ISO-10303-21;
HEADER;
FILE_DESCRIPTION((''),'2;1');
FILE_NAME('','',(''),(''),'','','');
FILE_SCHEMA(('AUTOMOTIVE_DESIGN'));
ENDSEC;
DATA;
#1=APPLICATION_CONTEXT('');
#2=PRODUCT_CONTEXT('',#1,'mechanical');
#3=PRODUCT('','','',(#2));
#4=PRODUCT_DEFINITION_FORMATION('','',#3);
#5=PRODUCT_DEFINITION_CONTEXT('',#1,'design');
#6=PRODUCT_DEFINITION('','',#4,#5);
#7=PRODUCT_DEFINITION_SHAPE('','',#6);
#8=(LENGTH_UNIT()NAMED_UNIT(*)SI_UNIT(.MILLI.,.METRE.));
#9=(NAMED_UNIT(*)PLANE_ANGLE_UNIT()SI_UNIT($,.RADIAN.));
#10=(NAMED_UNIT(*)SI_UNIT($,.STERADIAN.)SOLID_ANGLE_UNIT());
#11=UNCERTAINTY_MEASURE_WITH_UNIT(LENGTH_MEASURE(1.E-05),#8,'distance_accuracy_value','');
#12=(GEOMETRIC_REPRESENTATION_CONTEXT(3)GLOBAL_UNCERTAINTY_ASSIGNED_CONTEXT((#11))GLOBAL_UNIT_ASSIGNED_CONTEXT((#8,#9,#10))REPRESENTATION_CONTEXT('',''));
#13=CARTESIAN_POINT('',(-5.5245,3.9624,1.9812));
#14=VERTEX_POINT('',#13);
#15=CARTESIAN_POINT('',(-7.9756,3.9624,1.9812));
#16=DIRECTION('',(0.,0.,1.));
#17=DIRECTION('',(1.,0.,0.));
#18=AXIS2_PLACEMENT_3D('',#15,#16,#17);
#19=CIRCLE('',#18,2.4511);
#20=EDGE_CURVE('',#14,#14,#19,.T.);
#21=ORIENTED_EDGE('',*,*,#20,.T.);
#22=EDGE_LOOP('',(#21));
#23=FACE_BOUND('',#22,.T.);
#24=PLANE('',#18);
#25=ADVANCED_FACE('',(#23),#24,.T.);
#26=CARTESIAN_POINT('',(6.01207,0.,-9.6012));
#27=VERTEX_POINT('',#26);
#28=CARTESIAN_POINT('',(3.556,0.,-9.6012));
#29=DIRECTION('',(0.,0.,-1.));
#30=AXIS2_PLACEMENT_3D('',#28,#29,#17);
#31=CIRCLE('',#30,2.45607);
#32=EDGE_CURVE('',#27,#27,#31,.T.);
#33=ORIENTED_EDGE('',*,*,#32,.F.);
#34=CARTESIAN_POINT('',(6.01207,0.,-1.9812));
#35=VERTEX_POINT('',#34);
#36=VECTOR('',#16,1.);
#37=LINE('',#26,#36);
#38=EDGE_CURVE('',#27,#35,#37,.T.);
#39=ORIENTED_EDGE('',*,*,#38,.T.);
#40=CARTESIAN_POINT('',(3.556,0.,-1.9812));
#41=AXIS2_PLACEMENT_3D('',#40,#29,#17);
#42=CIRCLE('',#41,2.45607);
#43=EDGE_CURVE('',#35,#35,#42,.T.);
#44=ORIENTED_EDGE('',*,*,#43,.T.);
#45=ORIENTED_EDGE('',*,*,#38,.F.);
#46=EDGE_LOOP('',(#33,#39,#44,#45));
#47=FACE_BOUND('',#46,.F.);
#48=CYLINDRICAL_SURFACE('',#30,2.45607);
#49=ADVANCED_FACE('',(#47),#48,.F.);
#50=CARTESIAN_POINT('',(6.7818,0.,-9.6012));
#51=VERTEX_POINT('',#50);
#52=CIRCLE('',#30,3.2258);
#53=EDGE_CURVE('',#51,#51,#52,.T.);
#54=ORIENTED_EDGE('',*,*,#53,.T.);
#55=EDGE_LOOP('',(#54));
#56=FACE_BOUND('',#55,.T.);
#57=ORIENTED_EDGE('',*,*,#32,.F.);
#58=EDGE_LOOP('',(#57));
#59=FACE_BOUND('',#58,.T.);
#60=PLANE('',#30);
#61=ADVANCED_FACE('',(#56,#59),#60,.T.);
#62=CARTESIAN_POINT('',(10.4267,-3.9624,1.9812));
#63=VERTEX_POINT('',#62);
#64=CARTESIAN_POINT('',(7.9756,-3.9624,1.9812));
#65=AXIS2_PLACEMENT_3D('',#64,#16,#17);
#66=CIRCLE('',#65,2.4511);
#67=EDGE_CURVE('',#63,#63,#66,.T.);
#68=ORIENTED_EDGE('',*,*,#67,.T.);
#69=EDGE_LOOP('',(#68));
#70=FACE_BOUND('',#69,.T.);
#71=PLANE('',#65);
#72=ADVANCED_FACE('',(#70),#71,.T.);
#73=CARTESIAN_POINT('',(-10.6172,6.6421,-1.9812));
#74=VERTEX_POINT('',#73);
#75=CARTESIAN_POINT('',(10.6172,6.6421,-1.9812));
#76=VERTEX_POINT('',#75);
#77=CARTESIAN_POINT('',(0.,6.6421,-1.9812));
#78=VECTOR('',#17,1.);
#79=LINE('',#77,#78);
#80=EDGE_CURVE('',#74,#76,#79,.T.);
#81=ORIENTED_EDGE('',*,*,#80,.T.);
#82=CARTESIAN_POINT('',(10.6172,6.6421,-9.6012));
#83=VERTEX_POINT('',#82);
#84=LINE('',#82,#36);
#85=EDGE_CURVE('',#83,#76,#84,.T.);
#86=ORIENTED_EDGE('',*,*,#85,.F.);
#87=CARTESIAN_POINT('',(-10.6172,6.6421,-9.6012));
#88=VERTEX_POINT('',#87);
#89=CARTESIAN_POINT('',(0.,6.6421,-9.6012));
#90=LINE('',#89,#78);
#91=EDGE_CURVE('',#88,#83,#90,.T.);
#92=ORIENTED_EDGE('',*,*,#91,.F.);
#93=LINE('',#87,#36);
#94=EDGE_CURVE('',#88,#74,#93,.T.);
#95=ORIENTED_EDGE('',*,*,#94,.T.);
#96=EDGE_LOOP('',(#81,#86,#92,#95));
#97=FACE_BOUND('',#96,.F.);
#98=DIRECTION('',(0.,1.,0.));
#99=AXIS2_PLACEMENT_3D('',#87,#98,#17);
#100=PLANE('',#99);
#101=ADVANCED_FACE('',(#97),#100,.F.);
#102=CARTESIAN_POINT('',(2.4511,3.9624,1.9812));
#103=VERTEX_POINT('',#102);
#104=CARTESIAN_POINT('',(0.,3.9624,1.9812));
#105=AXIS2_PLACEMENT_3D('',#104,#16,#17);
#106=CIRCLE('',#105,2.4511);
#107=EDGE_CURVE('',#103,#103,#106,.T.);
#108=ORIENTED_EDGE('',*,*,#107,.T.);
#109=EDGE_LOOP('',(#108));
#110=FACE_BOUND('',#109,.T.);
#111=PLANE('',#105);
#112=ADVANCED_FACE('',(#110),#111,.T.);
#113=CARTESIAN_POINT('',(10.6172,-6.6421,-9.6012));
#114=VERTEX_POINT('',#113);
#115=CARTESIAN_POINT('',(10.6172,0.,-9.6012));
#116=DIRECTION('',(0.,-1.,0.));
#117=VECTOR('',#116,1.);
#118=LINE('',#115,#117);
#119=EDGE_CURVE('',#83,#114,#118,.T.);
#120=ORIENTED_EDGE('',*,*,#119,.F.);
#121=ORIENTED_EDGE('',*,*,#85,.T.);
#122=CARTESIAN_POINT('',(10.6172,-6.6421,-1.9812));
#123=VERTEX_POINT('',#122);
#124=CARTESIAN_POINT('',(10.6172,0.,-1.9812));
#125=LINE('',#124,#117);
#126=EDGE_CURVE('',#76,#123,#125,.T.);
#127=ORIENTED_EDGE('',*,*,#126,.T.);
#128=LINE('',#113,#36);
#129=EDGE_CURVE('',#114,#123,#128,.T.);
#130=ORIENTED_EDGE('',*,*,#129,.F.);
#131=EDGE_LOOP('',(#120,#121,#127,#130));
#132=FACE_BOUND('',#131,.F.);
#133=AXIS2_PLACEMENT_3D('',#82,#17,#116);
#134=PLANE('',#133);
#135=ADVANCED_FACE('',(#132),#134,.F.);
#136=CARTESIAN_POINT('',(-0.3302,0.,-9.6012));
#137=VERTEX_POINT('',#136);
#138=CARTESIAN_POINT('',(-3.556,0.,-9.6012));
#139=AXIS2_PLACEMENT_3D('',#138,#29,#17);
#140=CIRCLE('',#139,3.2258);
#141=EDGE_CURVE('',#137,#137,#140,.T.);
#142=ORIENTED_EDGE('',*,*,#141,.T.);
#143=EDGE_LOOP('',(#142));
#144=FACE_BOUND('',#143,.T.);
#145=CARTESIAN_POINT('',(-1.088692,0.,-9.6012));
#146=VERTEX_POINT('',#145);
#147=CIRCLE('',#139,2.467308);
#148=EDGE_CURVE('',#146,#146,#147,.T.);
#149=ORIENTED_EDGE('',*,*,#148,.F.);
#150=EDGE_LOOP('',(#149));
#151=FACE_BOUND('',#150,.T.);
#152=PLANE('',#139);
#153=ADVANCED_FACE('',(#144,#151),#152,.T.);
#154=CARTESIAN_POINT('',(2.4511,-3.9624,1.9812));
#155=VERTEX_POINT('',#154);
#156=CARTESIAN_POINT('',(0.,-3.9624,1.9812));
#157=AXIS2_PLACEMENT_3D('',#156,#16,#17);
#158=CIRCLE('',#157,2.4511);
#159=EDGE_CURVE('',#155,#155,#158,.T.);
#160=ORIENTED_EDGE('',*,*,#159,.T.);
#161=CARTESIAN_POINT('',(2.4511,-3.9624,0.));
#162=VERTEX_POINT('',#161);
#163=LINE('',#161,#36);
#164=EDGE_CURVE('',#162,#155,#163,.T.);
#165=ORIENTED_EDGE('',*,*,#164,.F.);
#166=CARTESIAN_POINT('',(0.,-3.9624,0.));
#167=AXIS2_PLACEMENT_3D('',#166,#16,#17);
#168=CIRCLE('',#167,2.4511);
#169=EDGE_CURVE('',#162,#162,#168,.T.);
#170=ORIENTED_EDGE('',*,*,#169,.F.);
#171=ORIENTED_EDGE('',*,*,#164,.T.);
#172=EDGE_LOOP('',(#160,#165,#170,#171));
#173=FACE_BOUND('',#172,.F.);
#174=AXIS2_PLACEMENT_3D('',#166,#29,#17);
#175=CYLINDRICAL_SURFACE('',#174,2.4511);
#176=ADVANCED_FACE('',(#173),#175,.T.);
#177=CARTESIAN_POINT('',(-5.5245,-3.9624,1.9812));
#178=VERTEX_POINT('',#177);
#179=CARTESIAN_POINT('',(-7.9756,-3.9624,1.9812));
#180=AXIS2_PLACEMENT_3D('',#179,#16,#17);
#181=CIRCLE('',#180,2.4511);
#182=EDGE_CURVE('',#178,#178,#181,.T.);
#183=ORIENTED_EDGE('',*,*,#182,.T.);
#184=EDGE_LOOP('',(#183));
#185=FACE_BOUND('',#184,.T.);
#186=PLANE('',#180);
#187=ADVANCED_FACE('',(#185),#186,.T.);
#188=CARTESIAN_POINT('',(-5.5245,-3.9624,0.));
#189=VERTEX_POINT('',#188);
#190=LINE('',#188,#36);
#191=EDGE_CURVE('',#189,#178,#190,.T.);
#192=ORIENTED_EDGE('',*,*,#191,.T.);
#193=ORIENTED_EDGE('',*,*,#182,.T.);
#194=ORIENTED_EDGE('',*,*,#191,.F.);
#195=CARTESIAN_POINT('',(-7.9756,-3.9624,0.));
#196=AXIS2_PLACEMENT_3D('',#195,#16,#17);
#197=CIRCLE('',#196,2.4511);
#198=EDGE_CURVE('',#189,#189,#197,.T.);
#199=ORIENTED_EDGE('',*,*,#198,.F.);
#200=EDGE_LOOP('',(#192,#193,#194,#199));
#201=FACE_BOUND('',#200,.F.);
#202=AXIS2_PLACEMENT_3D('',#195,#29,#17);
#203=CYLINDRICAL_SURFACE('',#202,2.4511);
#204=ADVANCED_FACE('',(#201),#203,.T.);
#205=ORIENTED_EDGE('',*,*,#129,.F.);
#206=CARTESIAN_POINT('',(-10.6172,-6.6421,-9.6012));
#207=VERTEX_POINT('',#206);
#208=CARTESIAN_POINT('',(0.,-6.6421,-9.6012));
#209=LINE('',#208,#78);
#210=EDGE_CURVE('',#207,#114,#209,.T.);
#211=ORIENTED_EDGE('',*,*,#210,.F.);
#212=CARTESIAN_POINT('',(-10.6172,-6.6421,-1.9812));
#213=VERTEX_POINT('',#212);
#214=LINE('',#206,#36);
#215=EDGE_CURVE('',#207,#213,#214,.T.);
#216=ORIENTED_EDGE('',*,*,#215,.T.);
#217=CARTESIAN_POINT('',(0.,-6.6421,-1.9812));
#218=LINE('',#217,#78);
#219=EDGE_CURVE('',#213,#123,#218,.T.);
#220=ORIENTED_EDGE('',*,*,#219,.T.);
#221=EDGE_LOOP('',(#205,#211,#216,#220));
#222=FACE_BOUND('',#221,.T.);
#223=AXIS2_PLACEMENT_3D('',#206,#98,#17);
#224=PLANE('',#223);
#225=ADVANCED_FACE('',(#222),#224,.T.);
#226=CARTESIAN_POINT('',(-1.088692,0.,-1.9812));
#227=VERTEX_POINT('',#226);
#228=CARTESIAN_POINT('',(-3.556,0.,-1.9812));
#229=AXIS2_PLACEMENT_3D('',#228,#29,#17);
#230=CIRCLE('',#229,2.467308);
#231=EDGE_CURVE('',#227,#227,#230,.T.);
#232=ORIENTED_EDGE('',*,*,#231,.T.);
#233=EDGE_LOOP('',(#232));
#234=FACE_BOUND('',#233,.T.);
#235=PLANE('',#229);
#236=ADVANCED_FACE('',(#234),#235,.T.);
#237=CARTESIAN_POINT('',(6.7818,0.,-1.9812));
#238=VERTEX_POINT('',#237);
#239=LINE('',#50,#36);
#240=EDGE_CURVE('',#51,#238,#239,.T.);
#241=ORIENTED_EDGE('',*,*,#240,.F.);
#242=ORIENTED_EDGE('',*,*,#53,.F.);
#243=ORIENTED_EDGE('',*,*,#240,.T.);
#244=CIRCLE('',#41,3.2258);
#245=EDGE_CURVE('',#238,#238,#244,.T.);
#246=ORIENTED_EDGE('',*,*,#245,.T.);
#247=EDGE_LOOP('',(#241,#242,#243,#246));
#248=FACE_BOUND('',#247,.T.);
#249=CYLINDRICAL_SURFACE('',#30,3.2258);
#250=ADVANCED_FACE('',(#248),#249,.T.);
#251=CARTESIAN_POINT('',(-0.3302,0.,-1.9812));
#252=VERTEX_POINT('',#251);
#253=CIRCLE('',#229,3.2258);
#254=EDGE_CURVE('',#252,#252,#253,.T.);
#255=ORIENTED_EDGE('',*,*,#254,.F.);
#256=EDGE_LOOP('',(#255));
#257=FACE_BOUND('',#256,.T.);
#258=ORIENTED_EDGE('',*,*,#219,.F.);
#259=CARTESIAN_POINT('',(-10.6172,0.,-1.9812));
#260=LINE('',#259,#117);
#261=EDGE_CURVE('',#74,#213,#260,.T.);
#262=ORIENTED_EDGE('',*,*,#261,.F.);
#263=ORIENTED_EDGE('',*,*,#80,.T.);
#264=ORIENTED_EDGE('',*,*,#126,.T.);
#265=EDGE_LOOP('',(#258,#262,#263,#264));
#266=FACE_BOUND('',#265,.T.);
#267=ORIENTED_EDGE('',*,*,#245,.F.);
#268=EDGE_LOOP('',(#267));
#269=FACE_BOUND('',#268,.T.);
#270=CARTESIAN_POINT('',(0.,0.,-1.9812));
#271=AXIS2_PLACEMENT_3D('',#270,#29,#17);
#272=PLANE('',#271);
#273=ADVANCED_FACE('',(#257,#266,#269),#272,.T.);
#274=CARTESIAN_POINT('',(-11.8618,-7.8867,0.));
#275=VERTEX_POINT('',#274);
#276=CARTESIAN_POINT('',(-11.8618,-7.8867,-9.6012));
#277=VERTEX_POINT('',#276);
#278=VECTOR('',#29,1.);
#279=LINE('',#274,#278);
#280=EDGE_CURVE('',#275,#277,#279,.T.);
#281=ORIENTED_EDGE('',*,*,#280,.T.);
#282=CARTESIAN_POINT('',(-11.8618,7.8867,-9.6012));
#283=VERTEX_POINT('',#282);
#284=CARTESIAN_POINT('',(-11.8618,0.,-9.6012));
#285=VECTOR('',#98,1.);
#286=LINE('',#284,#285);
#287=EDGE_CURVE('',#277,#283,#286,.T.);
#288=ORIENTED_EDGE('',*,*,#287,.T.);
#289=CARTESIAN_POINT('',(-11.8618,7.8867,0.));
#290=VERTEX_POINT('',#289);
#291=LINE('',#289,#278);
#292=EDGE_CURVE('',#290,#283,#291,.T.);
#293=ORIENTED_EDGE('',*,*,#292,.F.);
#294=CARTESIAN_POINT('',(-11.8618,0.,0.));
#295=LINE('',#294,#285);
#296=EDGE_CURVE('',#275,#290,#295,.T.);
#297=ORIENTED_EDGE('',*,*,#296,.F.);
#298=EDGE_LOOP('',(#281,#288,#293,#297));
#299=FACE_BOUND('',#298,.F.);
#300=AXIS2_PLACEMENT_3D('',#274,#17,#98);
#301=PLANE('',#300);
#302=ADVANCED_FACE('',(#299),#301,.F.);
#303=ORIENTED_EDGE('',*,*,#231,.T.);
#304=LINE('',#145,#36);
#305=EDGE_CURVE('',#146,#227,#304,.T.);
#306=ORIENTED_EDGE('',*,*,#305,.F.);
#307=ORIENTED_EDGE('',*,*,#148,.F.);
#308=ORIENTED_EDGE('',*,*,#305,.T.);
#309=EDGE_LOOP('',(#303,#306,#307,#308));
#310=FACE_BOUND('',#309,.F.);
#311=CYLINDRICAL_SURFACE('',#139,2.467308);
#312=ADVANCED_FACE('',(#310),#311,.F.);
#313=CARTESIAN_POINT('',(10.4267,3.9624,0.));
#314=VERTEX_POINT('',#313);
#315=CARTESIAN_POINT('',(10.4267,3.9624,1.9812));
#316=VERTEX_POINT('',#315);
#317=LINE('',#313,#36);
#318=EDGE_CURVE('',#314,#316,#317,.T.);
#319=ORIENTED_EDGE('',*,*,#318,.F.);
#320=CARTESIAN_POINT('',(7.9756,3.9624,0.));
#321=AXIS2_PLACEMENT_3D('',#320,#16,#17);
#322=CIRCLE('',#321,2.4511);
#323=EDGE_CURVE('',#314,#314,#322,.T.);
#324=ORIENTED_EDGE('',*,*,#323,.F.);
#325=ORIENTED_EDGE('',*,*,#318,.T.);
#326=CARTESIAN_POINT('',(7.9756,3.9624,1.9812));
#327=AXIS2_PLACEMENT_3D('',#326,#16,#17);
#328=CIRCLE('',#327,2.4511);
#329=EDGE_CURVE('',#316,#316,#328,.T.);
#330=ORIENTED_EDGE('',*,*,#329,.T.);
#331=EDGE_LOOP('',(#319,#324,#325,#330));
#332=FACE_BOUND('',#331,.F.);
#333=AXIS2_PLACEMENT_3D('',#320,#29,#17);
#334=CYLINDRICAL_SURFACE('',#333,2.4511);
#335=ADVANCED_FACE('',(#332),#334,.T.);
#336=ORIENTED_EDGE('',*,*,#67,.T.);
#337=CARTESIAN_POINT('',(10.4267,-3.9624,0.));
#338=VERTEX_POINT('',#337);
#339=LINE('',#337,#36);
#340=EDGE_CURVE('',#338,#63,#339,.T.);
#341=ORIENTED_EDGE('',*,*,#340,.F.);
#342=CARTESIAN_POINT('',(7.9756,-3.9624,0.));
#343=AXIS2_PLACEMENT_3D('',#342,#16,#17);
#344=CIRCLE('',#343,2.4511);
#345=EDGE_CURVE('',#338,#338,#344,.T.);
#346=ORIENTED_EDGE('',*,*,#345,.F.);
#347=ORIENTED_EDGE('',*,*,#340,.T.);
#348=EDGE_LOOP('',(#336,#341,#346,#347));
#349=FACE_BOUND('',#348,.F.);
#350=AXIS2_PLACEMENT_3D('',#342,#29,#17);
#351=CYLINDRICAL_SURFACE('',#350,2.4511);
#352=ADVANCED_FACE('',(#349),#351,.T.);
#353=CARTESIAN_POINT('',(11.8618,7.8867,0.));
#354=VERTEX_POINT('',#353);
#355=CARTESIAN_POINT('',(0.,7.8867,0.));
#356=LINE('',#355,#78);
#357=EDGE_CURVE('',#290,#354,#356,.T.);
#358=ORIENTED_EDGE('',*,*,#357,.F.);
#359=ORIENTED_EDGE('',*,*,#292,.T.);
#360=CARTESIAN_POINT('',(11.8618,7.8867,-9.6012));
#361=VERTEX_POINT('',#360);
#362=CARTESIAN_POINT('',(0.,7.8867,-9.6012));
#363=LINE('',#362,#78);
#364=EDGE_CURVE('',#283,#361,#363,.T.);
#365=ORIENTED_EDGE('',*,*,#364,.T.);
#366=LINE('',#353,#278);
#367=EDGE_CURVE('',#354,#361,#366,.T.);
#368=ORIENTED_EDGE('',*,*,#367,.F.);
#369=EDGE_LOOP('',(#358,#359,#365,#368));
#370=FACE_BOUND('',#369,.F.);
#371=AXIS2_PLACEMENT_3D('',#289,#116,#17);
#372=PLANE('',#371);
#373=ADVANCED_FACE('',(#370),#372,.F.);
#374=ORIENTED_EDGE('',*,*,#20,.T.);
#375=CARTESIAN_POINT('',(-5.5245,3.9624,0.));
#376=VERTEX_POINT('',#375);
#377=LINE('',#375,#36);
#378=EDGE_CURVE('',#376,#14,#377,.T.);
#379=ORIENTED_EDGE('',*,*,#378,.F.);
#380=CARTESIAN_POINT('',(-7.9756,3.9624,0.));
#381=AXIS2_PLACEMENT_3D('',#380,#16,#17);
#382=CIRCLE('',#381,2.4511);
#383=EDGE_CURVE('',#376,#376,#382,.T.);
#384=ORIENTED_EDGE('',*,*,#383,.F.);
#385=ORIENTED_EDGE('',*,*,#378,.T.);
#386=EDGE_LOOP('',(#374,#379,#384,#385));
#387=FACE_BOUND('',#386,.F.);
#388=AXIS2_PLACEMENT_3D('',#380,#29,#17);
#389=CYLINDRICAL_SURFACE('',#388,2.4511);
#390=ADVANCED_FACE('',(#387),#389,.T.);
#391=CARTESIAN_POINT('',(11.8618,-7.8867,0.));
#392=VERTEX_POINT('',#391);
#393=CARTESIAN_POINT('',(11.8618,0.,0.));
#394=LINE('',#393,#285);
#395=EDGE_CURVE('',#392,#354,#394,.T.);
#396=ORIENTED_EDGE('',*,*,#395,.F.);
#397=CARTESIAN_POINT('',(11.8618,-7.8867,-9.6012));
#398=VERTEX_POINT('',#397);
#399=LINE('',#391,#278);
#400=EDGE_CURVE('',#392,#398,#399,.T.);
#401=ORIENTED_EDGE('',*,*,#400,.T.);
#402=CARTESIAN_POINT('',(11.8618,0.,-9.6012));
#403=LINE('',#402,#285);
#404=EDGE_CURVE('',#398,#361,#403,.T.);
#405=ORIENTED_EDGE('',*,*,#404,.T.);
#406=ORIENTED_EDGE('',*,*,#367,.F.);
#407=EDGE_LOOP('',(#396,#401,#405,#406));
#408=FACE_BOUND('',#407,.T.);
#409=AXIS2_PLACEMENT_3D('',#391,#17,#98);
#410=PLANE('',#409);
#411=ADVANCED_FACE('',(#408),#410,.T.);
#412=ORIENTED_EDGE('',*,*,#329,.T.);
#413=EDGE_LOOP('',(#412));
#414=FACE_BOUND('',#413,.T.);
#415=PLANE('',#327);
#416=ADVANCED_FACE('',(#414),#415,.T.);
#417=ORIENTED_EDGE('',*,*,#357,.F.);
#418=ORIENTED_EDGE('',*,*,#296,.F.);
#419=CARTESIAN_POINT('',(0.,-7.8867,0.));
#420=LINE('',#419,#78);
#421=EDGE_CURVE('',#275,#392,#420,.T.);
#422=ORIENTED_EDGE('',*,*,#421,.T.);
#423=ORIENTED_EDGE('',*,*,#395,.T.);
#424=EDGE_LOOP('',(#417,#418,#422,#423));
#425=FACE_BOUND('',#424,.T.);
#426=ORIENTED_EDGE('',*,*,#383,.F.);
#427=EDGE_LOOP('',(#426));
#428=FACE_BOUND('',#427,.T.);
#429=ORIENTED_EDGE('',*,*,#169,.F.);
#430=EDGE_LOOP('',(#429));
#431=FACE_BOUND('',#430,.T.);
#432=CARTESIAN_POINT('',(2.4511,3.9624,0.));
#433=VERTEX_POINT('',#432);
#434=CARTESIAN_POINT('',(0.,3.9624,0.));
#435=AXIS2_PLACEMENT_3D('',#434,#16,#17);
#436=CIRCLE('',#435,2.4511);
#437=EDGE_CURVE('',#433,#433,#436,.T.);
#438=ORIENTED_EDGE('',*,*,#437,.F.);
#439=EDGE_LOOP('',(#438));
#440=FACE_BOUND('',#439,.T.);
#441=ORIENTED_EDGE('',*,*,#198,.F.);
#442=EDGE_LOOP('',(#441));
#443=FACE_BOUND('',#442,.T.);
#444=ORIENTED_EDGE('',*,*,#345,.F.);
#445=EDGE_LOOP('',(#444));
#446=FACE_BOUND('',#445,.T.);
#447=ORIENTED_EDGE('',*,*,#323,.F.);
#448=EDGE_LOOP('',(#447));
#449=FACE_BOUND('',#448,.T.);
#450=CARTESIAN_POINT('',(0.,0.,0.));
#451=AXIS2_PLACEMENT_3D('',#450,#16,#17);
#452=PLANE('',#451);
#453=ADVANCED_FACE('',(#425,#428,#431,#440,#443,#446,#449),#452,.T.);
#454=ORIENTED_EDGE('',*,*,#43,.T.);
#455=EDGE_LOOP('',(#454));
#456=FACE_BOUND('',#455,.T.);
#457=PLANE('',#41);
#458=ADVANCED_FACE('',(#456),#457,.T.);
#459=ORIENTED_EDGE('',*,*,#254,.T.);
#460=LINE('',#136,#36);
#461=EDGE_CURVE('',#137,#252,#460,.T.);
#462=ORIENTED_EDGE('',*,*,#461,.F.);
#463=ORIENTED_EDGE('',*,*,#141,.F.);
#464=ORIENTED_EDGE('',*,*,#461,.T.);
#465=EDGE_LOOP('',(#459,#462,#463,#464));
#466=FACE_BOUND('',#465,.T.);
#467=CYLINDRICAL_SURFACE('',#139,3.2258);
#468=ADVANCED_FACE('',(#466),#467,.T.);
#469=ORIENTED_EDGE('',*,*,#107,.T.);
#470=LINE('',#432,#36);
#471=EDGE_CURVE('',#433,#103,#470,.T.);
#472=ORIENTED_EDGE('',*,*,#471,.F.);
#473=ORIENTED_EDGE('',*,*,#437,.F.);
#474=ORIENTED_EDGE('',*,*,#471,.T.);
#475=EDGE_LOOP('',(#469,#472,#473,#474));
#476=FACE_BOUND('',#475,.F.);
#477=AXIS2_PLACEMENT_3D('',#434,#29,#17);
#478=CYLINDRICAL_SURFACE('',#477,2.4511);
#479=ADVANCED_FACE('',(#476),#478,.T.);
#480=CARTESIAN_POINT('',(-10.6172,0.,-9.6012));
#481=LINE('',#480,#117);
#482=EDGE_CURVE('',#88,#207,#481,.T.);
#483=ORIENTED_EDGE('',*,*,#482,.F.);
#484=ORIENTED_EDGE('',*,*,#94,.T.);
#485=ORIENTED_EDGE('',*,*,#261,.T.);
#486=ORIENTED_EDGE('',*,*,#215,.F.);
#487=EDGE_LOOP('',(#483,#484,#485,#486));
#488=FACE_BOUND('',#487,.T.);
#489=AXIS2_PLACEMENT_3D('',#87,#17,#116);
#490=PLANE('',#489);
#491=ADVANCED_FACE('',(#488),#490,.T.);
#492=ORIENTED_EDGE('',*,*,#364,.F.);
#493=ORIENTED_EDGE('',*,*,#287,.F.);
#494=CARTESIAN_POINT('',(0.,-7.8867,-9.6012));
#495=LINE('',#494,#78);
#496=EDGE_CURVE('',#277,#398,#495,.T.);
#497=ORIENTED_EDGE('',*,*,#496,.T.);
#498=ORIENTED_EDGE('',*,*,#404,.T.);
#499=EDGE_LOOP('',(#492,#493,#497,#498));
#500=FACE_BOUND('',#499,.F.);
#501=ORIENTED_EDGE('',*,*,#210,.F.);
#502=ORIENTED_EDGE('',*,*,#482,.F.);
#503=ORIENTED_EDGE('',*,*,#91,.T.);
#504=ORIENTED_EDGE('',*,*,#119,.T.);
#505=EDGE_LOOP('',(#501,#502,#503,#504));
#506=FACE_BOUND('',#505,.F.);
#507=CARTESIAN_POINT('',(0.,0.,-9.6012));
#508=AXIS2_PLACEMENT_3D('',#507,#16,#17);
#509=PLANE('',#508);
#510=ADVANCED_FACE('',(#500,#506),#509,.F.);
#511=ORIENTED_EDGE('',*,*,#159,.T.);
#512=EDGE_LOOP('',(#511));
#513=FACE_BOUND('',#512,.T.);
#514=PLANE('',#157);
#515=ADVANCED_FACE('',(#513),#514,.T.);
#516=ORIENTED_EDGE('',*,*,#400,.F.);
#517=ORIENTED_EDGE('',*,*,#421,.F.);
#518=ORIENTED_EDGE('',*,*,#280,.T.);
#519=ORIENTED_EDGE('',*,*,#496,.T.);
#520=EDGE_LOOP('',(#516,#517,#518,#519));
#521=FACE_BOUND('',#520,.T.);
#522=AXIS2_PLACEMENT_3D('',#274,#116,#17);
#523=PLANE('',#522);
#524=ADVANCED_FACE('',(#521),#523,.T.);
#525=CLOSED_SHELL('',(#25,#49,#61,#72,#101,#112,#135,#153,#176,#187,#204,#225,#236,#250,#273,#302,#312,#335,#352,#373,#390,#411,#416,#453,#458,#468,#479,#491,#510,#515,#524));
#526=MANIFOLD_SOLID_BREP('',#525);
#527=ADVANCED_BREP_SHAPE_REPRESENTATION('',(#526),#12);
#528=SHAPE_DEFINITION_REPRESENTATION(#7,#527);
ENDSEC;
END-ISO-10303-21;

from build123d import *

# Parameters (mm, degrees)
F0_W      = 23.7236
F0_H      = 15.7734
F2_DEPTH  = 9.6012
F1_R      = 2.4511
F3_DEPTH  = 1.9812
F4_W      = 21.2344
F4_H      = 13.2842
F6_DEPTH  = 7.62
F5_R      = 3.2258
F7_DEPTH  = 8.89
F8_R      = 2.467308
F9_R      = 2.45607
F10_DEPTH = 7.62


with BuildPart() as f2:
    # F0 (on Top) → F2 (new body)
    with BuildSketch(Plane.XY):
        Rectangle(F0_W, F0_H)
    extrude(amount=-F2_DEPTH)

    # F1 (on face) → F3 (join)
    with BuildSketch(Plane.XY):
        with Locations((-7.9756, 3.9624)):
            Circle(F1_R)
        with Locations((0, 3.9624)):
            Circle(F1_R)
        with Locations((7.9756, 3.9624)):
            Circle(F1_R)
        with Locations((7.9756, -3.9624)):
            Circle(F1_R)
        with Locations((0, -3.9624)):
            Circle(F1_R)
        with Locations((-7.9756, -3.9624)):
            Circle(F1_R)
    extrude(amount=F3_DEPTH)

    # F4 (on face) → F6 (cut)
    with BuildSketch(Plane(origin=(0, 0, -9.6012), x_dir=(1, 0, 0), z_dir=(0, 0, -1))):
        Rectangle(F4_W, F4_H)
    extrude(amount=-F6_DEPTH, mode=Mode.SUBTRACT)

    # F5 (on face) → F7 (join)
    with BuildSketch(Plane(origin=(0, 0, -9.6012), x_dir=(1, 0, 0), z_dir=(0, 0, -1))):
        with Locations((-3.556, 0)):
            Circle(F5_R)
        with Locations((3.556, 0)):
            Circle(F5_R)
    extrude(amount=-F7_DEPTH)

    # F8 (on face) + F9 (on face) → F10 (cut)
    with BuildSketch(Plane(origin=(0, 0, -9.6012), x_dir=(1, 0, 0), z_dir=(0, 0, -1))):
        with Locations((-3.556, 0)):
            Circle(F8_R)
    with BuildSketch(Plane(origin=(0, 0, -9.6012), x_dir=(1, 0, 0), z_dir=(0, 0, -1))):
        with Locations((3.556, 0)):
            Circle(F9_R)
    extrude(amount=-F10_DEPTH, mode=Mode.SUBTRACT)


solid = f2.part
